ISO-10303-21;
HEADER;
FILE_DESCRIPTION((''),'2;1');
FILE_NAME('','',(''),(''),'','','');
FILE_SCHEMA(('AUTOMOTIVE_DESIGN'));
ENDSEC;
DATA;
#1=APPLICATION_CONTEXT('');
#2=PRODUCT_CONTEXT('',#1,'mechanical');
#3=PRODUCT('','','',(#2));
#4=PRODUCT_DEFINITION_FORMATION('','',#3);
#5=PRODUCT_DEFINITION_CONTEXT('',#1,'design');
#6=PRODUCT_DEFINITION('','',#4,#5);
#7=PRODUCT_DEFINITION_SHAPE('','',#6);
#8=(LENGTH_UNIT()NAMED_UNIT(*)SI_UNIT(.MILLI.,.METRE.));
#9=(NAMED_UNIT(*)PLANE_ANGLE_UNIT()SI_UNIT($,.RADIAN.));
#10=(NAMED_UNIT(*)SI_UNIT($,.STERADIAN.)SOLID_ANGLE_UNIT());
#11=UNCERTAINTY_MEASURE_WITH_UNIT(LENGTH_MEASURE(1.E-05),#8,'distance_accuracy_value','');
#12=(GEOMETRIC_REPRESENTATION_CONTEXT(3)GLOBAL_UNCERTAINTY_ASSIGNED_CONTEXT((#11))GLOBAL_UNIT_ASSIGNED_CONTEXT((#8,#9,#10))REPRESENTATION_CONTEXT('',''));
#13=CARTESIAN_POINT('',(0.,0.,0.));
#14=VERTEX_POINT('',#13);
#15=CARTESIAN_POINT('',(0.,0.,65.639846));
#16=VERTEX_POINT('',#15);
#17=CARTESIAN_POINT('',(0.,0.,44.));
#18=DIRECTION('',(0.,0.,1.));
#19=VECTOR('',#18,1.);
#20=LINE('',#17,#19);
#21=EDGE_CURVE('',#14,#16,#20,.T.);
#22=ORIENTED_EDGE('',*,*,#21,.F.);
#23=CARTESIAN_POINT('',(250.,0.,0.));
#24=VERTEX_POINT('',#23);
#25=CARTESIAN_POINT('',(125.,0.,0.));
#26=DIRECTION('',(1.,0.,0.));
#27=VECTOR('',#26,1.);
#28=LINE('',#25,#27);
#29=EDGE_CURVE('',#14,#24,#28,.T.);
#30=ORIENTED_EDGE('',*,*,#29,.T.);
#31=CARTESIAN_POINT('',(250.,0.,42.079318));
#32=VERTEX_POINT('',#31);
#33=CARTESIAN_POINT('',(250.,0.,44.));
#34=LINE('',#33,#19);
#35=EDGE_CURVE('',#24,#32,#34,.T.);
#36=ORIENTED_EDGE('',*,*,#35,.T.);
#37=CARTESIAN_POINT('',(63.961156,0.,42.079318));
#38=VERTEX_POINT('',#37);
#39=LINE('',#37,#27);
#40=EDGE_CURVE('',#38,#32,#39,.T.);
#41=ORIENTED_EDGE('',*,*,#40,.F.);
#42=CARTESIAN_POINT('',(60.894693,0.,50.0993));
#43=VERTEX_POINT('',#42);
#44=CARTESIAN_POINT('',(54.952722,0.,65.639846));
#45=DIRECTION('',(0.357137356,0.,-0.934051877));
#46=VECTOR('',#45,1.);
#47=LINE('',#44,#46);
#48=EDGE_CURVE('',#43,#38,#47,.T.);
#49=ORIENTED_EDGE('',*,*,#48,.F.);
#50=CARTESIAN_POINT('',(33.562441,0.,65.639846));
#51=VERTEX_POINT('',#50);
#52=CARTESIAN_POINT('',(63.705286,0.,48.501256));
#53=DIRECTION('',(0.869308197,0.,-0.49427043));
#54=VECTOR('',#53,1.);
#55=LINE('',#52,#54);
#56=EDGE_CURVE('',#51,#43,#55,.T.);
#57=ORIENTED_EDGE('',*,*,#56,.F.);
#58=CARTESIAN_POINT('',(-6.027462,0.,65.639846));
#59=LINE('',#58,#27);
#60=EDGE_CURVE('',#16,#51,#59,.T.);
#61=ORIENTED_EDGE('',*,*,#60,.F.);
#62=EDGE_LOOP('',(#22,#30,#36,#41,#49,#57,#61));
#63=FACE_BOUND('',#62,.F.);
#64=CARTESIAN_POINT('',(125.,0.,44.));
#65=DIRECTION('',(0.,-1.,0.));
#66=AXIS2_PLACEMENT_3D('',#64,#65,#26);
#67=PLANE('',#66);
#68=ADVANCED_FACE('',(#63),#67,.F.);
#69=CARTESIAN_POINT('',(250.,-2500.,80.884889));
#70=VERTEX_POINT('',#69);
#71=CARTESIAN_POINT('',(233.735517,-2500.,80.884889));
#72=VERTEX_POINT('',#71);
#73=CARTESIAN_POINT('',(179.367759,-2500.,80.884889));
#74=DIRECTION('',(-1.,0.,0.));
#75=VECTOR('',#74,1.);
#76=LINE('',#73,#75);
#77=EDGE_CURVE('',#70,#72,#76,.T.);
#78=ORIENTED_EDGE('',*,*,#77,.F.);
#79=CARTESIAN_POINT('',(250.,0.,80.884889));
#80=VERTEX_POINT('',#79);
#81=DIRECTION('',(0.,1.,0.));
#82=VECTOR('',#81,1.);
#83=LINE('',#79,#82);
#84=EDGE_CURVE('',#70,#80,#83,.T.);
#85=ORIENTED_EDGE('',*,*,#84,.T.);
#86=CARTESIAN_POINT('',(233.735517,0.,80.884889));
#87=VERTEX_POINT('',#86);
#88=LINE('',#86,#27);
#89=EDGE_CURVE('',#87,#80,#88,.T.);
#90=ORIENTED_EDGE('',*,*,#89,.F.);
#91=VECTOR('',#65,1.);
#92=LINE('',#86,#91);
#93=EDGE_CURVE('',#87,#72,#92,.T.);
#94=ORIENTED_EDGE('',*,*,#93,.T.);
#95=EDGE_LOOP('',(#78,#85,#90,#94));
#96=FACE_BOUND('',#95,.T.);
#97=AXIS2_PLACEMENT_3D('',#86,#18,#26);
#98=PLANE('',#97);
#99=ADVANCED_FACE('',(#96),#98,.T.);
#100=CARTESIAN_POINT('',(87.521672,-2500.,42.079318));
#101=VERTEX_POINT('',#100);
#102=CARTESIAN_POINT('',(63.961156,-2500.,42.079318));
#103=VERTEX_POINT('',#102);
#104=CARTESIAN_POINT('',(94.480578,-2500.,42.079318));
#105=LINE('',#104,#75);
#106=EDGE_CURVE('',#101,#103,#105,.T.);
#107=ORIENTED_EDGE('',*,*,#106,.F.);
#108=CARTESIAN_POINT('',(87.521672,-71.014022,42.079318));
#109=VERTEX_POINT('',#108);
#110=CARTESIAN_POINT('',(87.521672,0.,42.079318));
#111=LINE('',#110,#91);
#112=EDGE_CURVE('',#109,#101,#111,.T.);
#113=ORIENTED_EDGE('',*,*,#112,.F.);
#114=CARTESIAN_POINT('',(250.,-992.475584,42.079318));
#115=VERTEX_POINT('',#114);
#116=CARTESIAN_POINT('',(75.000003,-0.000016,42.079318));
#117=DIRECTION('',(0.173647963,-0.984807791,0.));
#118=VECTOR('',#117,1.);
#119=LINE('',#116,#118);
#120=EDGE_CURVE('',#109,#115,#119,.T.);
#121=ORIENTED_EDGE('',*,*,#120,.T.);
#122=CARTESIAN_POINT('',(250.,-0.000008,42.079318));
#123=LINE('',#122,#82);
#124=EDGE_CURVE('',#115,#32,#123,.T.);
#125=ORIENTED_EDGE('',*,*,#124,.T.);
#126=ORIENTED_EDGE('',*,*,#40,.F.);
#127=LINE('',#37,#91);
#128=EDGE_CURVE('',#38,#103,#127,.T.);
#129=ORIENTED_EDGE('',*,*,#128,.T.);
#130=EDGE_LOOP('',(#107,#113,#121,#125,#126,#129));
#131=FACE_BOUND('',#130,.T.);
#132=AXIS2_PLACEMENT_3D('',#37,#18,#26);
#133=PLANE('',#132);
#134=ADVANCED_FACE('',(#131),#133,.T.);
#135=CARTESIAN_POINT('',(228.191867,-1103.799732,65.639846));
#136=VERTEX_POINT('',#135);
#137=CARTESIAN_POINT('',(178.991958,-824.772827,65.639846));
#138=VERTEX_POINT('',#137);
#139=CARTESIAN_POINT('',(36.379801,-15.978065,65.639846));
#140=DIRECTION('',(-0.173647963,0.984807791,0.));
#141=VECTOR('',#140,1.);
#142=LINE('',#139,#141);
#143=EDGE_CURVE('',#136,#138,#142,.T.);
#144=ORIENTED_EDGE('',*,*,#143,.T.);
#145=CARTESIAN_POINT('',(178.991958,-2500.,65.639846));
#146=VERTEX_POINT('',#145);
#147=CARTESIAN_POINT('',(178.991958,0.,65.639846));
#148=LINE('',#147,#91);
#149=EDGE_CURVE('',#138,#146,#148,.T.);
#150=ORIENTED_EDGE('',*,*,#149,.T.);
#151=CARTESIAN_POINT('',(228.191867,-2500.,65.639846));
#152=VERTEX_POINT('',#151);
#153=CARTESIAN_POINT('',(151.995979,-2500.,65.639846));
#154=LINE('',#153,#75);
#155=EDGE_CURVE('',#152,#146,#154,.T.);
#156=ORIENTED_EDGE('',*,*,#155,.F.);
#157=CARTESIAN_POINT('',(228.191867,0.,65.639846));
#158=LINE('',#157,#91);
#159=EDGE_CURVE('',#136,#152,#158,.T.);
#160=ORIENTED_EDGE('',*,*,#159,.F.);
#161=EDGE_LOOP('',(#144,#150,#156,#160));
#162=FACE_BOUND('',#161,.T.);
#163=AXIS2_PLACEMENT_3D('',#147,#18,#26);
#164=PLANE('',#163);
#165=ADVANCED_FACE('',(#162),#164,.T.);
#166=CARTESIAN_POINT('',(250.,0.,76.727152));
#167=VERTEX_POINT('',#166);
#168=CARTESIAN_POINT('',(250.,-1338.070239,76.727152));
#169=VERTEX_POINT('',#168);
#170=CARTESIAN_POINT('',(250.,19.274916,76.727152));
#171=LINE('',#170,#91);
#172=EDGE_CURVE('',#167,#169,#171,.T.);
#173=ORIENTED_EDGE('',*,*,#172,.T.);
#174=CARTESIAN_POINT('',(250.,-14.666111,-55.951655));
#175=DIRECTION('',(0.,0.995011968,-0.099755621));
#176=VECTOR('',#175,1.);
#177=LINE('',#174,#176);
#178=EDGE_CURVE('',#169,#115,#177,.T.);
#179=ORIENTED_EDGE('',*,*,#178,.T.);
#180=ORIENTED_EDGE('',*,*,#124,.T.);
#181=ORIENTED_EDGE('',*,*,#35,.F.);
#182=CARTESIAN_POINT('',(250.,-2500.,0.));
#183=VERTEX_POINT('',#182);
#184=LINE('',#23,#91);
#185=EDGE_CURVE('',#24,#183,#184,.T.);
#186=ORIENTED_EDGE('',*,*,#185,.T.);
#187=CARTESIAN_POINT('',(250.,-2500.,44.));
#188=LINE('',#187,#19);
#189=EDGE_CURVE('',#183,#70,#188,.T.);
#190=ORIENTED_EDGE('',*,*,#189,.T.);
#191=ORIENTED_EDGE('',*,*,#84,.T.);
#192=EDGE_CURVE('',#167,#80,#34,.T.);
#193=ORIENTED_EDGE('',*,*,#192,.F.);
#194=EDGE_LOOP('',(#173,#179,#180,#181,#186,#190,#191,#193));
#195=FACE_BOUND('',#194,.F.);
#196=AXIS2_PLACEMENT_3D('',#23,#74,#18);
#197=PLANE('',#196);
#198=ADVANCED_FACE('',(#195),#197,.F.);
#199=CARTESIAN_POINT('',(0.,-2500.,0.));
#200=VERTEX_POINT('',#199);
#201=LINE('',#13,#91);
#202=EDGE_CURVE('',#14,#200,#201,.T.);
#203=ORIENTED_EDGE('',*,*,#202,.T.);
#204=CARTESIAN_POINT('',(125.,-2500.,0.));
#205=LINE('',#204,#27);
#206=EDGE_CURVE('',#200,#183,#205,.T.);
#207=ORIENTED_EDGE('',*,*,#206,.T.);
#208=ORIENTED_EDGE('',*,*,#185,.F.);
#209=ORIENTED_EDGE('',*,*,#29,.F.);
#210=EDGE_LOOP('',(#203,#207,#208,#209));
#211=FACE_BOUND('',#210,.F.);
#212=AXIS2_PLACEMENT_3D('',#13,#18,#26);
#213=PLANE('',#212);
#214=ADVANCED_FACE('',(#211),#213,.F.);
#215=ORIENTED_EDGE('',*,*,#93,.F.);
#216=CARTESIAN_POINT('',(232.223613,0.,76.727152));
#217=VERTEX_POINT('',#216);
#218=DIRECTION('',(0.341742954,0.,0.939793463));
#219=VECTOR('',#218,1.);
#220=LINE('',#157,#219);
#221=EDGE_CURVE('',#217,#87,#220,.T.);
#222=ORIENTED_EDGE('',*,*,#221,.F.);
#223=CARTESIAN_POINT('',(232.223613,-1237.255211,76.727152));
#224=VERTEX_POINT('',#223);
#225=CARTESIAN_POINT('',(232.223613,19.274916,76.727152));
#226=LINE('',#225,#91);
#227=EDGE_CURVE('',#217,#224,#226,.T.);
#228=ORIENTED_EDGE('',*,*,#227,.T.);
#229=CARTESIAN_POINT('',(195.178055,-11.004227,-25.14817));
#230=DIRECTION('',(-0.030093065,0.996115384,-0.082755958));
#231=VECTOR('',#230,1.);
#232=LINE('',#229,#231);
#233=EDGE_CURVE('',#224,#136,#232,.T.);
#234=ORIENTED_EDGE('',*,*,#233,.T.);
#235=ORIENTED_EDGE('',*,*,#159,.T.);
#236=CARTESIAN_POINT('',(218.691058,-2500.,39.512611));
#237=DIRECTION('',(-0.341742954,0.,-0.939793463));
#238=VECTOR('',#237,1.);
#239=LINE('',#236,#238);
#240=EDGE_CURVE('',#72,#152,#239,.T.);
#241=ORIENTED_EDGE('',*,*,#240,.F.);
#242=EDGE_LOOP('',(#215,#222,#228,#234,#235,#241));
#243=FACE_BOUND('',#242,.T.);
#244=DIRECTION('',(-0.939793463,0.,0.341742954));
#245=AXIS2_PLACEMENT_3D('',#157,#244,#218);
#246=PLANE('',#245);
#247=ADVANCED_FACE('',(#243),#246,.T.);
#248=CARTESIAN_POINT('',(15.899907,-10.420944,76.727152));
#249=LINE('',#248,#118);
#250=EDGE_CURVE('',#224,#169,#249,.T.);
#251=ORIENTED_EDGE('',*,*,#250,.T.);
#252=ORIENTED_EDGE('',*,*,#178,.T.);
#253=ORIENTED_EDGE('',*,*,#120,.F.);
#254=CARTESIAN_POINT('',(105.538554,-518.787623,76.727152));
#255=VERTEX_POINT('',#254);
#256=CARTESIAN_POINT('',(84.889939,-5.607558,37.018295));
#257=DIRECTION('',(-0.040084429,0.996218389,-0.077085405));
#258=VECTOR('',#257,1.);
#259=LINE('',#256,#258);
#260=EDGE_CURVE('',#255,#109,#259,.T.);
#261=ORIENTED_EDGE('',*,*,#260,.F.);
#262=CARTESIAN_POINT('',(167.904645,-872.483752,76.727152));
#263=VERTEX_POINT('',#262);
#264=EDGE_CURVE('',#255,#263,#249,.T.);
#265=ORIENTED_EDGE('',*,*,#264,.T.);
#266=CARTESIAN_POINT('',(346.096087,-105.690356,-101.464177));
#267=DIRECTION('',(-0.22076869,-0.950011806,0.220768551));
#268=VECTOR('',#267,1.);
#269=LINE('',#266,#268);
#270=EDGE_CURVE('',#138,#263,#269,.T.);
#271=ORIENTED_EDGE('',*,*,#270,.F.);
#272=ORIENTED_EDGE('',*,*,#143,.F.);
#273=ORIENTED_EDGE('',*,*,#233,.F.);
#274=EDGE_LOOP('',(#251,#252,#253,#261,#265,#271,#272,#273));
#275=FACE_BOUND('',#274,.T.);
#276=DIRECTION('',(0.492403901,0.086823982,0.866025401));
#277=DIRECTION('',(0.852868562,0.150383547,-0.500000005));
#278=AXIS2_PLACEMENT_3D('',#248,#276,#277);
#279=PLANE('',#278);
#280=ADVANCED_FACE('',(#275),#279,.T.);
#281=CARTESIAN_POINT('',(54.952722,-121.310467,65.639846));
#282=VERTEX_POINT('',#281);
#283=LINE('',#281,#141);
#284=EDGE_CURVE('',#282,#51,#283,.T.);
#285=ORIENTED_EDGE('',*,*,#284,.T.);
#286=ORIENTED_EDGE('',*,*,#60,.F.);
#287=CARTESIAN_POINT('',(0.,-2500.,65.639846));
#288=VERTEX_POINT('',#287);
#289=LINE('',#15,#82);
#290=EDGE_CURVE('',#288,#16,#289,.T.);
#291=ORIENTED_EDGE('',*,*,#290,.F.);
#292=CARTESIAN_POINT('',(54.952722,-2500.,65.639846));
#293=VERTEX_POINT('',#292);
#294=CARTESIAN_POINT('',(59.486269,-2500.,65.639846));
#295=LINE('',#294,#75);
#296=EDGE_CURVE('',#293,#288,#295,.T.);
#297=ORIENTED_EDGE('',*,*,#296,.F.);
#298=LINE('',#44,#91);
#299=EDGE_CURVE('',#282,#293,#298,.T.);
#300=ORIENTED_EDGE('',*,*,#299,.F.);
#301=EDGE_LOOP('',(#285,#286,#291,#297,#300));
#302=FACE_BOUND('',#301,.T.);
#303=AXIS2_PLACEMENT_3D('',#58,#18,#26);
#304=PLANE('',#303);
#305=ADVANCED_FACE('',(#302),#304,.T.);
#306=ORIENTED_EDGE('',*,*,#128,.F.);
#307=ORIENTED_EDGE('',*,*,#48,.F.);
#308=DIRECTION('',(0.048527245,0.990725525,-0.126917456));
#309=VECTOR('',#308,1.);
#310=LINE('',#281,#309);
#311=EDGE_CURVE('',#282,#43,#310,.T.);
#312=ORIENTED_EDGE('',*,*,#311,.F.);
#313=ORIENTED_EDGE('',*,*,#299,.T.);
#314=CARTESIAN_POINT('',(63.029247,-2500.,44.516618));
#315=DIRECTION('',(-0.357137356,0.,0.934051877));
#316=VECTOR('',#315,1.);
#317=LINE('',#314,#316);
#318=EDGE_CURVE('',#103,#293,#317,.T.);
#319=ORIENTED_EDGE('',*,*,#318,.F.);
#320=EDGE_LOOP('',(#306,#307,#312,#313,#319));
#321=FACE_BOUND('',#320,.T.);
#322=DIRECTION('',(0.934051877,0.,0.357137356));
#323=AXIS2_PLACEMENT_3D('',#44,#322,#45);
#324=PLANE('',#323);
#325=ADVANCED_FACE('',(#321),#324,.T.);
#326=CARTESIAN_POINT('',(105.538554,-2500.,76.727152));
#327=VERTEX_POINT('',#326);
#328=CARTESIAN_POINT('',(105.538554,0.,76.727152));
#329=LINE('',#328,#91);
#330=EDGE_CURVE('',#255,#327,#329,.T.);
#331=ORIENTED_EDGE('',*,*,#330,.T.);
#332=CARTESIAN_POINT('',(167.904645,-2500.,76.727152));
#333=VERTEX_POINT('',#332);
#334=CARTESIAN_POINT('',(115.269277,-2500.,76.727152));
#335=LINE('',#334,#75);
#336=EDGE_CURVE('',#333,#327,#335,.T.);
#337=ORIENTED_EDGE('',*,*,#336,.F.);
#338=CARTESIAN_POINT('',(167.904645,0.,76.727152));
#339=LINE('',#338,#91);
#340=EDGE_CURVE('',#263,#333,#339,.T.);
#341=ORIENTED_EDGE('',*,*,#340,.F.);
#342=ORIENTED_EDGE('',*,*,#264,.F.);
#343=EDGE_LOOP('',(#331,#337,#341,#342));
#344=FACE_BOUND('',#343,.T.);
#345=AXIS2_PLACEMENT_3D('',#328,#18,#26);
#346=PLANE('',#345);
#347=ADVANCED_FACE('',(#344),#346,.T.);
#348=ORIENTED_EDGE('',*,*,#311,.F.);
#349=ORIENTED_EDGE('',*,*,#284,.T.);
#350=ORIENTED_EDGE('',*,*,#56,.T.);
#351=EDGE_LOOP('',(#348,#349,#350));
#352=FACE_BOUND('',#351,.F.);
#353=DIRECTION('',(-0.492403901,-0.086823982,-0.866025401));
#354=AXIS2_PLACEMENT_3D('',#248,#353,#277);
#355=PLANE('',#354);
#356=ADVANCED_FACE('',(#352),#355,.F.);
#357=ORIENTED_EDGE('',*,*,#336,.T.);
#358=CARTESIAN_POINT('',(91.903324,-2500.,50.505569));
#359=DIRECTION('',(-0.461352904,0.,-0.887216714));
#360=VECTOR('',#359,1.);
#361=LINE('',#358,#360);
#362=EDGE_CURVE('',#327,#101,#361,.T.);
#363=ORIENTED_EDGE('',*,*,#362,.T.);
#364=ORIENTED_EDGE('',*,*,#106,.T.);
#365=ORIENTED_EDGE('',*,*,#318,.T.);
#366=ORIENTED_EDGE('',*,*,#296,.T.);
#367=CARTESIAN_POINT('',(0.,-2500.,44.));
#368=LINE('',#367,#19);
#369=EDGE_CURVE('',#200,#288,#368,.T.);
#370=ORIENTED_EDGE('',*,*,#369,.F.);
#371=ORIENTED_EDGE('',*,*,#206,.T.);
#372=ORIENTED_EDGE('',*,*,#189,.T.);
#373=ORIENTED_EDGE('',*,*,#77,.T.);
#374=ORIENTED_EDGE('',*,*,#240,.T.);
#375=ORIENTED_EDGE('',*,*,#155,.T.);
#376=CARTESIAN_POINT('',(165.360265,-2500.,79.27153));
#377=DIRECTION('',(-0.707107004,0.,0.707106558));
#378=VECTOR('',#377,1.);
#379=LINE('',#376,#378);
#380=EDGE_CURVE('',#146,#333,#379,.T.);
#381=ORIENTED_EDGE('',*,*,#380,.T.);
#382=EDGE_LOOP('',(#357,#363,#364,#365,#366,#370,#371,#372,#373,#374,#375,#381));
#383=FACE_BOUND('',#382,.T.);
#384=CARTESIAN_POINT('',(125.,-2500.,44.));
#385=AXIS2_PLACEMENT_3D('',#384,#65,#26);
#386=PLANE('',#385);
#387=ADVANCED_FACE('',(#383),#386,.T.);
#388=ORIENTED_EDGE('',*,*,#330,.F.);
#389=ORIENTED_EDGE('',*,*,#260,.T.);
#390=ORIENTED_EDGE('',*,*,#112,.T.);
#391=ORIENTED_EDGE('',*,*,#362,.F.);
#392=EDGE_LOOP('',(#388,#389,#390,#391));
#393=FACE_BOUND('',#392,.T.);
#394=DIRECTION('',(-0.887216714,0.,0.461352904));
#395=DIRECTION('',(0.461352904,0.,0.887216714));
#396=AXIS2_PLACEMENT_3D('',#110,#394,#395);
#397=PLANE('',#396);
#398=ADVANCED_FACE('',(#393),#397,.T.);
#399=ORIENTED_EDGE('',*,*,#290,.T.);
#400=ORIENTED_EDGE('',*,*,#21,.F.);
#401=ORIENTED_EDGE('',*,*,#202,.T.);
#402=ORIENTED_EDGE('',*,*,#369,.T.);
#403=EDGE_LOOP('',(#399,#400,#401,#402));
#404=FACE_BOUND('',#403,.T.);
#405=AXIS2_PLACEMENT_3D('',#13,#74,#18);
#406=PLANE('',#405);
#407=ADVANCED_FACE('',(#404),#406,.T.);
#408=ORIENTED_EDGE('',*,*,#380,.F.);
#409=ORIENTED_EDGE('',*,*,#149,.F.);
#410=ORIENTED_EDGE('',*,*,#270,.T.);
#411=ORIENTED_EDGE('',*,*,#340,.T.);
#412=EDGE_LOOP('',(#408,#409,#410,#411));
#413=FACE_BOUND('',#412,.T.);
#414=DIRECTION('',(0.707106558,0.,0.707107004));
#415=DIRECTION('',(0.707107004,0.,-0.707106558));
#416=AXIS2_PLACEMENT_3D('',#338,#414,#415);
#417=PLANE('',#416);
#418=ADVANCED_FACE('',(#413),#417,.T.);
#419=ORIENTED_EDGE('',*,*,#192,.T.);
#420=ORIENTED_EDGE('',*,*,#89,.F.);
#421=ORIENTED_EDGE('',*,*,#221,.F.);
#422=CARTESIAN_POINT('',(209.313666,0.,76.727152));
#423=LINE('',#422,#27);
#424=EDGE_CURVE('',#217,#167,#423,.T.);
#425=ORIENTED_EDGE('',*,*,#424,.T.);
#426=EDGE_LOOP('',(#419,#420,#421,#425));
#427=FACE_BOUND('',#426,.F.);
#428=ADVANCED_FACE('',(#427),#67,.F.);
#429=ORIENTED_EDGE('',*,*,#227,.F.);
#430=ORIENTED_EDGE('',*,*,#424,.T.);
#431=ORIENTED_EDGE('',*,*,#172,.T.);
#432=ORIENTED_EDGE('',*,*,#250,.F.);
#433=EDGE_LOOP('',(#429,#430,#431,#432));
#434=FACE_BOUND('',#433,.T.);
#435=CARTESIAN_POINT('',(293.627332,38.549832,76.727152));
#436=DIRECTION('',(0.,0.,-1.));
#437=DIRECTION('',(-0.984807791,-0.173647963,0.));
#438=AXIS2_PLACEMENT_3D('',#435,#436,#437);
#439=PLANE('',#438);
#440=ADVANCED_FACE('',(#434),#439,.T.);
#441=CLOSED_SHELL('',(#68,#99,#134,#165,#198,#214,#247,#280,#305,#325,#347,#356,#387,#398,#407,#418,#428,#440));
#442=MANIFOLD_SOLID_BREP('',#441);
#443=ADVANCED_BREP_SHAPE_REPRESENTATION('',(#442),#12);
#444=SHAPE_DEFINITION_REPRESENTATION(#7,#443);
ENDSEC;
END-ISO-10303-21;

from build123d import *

# Parameters (mm, degrees)
F0_W          = 250
F0_H          = 88
F1_DEPTH      = 2500
F3_DEPTH      = 2500.001
F7_DEPTH      = 2492.408814
F7_DEPTH_BACK = 25


with BuildPart() as f1:
    # F0 (on Front) → F1 (new body)
    with BuildSketch(Plane.XZ):
        with Locations((125, 44)):
            Rectangle(F0_W, F0_H)
    extrude(amount=F1_DEPTH)

    # F2 (on Front) → F3 (cut, through all)
    with BuildSketch(Plane.XZ):
        Polygon((-6.027462, 133.504351), (-6.027462, 65.639846), (54.952722, 65.639846), (63.961156, 42.079318), (87.521672, 42.079318), (105.538554, 76.727152), (167.904645, 76.727152), (178.991958, 65.639846), (228.191867, 65.639846), (233.735517, 80.884889), (266.304493, 80.884889), (266.304493, 133.504351), align=None)
    extrude(amount=F3_DEPTH, mode=Mode.SUBTRACT)

    # F6 (on face) → F7 (cut, two sides)
    with BuildSketch(Plane(origin=(2.261527, -12.825755, 0), x_dir=(0.984808, 0.173648, 0), z_dir=(0.173648, -0.984808, 0))) as f7_sk:
        Polygon((13.848773, 76.727152), (73.860581, 42.079318), (295.860581, 42.079318), (295.860581, 76.727152), align=None)
    extrude(amount=F7_DEPTH, mode=Mode.SUBTRACT)
    extrude(f7_sk.sketch, amount=-F7_DEPTH_BACK, mode=Mode.SUBTRACT)


solid = f1.part
